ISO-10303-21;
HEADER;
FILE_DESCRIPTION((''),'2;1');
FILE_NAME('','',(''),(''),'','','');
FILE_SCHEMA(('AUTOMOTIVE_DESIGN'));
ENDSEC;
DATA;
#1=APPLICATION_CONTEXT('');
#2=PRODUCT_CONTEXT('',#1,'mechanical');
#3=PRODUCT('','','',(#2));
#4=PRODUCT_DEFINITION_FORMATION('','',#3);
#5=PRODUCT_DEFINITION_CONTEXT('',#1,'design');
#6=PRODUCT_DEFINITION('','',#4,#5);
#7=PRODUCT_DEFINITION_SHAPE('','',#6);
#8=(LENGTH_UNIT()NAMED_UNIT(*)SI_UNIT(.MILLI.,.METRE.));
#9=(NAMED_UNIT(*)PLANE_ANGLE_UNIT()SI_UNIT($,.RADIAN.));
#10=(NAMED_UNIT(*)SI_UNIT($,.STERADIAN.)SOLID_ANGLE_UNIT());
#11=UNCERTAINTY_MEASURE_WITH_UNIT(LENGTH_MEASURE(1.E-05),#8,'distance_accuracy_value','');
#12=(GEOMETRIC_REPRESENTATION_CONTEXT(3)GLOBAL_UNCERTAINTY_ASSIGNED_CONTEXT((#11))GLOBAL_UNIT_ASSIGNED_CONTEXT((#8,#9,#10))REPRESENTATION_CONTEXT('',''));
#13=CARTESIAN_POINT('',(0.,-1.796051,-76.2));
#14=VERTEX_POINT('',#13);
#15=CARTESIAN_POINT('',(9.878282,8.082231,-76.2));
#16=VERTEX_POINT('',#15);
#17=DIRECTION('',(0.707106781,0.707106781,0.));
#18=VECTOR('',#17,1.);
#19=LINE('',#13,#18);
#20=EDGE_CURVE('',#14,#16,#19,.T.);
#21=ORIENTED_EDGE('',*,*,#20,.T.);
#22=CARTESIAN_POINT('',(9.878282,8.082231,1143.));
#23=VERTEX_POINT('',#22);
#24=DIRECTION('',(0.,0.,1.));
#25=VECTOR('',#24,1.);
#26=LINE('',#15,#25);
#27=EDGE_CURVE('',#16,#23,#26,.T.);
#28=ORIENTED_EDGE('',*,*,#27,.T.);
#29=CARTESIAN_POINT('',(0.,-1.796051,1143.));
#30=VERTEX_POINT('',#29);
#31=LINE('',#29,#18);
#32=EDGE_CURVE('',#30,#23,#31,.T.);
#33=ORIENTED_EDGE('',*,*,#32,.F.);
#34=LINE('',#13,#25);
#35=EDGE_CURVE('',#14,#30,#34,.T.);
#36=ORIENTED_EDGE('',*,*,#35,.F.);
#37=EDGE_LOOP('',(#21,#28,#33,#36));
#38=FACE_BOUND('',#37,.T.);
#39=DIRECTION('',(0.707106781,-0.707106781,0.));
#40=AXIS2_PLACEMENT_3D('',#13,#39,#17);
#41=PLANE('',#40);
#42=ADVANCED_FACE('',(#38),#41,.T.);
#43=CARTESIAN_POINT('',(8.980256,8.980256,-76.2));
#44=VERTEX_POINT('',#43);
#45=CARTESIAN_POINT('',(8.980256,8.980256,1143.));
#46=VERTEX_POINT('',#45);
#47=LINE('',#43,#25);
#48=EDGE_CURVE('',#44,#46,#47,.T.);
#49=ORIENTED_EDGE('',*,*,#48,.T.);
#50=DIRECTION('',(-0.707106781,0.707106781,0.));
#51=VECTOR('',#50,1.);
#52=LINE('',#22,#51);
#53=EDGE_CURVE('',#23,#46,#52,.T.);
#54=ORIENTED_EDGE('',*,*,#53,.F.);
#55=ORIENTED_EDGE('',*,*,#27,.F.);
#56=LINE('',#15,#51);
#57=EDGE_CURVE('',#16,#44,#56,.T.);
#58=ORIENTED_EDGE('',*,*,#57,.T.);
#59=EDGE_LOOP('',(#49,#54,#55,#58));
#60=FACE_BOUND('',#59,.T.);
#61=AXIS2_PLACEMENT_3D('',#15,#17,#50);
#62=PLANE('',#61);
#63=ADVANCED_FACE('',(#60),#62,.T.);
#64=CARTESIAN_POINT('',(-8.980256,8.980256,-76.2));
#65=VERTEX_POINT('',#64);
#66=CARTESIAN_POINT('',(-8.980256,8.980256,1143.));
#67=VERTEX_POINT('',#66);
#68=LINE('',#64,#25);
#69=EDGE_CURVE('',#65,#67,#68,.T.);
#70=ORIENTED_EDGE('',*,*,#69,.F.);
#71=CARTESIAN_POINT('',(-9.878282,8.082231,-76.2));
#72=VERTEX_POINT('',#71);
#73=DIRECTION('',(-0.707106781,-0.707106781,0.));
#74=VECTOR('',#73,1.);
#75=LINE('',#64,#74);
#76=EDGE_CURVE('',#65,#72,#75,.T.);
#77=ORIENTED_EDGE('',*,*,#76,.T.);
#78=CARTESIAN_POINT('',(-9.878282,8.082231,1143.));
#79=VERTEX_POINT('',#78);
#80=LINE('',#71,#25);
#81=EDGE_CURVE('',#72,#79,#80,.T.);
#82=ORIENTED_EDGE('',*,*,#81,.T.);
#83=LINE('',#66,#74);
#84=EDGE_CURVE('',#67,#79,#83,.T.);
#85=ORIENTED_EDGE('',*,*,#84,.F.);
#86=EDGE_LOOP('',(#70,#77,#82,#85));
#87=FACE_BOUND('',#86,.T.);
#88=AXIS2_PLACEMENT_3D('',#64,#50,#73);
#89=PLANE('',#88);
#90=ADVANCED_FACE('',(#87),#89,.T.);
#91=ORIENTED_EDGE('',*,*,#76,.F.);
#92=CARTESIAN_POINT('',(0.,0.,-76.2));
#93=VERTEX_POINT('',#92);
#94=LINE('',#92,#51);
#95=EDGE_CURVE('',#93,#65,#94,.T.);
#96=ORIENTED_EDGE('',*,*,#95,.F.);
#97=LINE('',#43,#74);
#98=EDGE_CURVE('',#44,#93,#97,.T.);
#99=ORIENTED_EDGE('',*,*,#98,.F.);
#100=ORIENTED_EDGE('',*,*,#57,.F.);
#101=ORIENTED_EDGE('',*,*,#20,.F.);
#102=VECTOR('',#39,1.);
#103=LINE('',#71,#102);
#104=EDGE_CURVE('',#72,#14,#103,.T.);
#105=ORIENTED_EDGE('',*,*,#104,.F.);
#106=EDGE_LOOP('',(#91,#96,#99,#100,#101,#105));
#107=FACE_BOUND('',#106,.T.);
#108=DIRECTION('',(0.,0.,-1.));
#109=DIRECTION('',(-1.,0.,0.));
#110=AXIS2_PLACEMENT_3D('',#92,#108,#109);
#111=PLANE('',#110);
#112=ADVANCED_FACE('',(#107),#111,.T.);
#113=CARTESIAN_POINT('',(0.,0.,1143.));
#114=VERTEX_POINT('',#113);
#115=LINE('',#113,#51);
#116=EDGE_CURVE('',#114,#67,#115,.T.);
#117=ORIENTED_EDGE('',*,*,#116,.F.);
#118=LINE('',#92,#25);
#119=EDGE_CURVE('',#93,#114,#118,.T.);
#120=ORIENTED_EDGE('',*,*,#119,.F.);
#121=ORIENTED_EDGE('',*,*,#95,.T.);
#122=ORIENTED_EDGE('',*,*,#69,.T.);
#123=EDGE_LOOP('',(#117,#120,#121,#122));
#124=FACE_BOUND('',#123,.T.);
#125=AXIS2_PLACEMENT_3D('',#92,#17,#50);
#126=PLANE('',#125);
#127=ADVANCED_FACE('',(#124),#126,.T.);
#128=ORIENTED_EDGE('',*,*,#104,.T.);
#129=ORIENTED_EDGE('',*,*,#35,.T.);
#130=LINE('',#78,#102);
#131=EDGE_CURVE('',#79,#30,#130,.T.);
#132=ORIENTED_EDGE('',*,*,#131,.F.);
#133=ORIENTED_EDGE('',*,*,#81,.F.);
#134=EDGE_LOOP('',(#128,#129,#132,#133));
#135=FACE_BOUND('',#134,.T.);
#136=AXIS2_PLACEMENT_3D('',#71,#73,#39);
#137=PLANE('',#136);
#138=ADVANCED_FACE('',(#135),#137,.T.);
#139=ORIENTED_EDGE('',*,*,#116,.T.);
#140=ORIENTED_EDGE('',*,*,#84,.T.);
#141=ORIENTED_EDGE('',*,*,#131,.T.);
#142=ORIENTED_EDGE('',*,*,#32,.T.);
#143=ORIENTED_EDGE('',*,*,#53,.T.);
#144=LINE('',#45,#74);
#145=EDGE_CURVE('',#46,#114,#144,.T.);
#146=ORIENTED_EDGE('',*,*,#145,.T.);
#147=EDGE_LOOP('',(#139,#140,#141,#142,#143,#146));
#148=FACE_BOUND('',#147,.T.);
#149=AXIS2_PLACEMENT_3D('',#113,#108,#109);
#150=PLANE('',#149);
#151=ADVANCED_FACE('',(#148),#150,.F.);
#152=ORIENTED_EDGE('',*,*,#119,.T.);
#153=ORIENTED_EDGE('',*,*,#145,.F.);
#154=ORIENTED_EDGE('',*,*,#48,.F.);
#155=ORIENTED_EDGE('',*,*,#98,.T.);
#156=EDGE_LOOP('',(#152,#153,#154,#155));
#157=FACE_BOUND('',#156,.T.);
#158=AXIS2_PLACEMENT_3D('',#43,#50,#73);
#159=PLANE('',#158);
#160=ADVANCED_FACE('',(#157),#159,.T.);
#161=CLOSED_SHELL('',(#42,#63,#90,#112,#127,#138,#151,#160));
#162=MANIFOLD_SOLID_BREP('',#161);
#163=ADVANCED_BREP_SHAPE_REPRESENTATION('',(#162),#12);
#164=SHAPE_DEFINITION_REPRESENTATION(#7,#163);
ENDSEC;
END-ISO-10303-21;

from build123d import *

# Parameters (mm, degrees)
BOSS_EXTRUDE1_DEPTH      = 1143
BOSS_EXTRUDE1_DEPTH_BACK = 76.2


with BuildPart() as part:
    # Sketch1 → Boss-Extrude1 (new, two sides: drawn at the far end of the back side and taken through both)
    with BuildSketch(Plane.XY.offset(-BOSS_EXTRUDE1_DEPTH_BACK)):
        Polygon((0, 0), (-8.980256121, 8.980256121), (-9.878281733, 8.082230509), (0, -1.796051224), (9.878281733, 8.082230509), (8.980256121, 8.980256121), align=None)
    extrude(amount=BOSS_EXTRUDE1_DEPTH + BOSS_EXTRUDE1_DEPTH_BACK)


solid = part.part
